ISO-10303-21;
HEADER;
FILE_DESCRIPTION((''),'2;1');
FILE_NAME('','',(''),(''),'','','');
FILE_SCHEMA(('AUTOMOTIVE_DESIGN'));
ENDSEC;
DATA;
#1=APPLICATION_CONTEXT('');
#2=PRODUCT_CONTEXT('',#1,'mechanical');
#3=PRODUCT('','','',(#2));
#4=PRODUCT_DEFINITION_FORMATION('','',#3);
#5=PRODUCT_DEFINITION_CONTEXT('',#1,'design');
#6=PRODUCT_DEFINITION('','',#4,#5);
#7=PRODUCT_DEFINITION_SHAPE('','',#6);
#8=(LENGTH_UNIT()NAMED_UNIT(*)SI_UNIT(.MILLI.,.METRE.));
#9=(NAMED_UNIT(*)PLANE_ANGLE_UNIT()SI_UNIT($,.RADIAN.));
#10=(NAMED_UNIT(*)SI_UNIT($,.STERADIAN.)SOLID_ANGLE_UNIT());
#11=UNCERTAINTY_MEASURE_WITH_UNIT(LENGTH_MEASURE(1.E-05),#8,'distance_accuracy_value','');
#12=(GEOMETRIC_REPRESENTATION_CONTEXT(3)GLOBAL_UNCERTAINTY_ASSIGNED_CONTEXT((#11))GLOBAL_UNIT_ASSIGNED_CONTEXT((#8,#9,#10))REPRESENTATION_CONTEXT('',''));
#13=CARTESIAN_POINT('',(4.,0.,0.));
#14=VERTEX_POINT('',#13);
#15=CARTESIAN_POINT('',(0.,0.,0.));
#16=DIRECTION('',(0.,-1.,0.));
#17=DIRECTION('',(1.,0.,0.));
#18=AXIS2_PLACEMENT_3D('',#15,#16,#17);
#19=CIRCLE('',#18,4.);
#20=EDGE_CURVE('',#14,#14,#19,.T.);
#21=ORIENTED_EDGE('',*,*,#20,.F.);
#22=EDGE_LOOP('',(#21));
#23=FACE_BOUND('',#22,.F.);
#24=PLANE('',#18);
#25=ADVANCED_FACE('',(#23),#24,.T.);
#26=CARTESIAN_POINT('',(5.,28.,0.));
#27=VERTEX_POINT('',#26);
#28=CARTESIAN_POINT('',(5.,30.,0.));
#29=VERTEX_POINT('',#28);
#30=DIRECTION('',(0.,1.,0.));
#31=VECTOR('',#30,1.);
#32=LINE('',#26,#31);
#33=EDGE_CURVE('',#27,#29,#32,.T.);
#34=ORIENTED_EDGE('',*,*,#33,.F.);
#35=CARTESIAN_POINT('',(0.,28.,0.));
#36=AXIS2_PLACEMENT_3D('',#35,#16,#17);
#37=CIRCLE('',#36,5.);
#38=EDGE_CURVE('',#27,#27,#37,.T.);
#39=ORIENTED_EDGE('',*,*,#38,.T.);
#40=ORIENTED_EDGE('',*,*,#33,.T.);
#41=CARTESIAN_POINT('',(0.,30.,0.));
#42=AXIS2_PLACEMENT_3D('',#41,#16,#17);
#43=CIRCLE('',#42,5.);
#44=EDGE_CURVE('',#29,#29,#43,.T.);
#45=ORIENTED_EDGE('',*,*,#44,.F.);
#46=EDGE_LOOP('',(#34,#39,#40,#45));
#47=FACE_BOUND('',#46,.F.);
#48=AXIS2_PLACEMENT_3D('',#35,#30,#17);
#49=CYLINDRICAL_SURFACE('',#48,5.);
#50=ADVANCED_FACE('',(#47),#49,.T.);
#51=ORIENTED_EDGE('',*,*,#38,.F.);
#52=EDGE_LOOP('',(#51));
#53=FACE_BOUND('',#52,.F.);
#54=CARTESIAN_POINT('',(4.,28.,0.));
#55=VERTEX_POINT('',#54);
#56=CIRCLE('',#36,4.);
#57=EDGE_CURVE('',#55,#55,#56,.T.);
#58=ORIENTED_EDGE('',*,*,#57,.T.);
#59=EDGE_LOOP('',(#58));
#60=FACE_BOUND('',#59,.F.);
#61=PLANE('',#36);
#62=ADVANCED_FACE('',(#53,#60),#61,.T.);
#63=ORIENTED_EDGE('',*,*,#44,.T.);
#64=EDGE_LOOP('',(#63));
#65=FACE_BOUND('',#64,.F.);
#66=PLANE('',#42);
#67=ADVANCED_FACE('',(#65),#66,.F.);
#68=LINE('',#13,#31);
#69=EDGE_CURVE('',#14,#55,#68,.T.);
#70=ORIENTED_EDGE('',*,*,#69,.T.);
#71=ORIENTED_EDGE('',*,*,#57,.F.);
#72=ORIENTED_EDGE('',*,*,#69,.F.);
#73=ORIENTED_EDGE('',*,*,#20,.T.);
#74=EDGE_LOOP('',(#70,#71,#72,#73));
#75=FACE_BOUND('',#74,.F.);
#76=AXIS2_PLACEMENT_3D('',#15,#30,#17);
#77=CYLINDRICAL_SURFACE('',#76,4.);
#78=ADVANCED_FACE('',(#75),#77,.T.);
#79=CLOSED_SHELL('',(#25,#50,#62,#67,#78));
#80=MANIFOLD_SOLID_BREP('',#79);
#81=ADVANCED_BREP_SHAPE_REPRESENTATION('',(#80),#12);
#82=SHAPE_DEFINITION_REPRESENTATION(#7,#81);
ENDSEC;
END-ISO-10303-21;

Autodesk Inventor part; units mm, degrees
ref_plane "YZ Plane" through (0, 0, 0) normal (1, 0, 0) x (0, 1, 0)
ref_plane "XZ Plane" through (0, 0, 0) normal (0, 1, 0) x (-1, 0, 0)
ref_plane "XY Plane" through (0, 0, 0) normal (0, 0, 1) x (1, 0, 0)
sketch "Sketch1" plane through (0, 0, 0) normal (0, 0, 1) x (1, 0, 0)
  line L0 (0, 0) -> (4, 0)
  line L1 (4, 0) -> (4, 28)
  line L2 (4, 28) -> (5, 28)
  line L3 (5, 28) -> (5, 30)
  line L4 (5, 30) -> (0, 30)
  line L5 (0, 30) -> (0, 0)
  dimension "d0" = 4
  dimension "d1" = 28
  dimension "d2" = 1
  dimension "d3" = 2
  dimension "d4" = 5
revolve "Revolution1" add sketch "Sketch1" angle 360 about axis through (0, 30, 0) along (0, -1, 0)
properties part number "Silander"
